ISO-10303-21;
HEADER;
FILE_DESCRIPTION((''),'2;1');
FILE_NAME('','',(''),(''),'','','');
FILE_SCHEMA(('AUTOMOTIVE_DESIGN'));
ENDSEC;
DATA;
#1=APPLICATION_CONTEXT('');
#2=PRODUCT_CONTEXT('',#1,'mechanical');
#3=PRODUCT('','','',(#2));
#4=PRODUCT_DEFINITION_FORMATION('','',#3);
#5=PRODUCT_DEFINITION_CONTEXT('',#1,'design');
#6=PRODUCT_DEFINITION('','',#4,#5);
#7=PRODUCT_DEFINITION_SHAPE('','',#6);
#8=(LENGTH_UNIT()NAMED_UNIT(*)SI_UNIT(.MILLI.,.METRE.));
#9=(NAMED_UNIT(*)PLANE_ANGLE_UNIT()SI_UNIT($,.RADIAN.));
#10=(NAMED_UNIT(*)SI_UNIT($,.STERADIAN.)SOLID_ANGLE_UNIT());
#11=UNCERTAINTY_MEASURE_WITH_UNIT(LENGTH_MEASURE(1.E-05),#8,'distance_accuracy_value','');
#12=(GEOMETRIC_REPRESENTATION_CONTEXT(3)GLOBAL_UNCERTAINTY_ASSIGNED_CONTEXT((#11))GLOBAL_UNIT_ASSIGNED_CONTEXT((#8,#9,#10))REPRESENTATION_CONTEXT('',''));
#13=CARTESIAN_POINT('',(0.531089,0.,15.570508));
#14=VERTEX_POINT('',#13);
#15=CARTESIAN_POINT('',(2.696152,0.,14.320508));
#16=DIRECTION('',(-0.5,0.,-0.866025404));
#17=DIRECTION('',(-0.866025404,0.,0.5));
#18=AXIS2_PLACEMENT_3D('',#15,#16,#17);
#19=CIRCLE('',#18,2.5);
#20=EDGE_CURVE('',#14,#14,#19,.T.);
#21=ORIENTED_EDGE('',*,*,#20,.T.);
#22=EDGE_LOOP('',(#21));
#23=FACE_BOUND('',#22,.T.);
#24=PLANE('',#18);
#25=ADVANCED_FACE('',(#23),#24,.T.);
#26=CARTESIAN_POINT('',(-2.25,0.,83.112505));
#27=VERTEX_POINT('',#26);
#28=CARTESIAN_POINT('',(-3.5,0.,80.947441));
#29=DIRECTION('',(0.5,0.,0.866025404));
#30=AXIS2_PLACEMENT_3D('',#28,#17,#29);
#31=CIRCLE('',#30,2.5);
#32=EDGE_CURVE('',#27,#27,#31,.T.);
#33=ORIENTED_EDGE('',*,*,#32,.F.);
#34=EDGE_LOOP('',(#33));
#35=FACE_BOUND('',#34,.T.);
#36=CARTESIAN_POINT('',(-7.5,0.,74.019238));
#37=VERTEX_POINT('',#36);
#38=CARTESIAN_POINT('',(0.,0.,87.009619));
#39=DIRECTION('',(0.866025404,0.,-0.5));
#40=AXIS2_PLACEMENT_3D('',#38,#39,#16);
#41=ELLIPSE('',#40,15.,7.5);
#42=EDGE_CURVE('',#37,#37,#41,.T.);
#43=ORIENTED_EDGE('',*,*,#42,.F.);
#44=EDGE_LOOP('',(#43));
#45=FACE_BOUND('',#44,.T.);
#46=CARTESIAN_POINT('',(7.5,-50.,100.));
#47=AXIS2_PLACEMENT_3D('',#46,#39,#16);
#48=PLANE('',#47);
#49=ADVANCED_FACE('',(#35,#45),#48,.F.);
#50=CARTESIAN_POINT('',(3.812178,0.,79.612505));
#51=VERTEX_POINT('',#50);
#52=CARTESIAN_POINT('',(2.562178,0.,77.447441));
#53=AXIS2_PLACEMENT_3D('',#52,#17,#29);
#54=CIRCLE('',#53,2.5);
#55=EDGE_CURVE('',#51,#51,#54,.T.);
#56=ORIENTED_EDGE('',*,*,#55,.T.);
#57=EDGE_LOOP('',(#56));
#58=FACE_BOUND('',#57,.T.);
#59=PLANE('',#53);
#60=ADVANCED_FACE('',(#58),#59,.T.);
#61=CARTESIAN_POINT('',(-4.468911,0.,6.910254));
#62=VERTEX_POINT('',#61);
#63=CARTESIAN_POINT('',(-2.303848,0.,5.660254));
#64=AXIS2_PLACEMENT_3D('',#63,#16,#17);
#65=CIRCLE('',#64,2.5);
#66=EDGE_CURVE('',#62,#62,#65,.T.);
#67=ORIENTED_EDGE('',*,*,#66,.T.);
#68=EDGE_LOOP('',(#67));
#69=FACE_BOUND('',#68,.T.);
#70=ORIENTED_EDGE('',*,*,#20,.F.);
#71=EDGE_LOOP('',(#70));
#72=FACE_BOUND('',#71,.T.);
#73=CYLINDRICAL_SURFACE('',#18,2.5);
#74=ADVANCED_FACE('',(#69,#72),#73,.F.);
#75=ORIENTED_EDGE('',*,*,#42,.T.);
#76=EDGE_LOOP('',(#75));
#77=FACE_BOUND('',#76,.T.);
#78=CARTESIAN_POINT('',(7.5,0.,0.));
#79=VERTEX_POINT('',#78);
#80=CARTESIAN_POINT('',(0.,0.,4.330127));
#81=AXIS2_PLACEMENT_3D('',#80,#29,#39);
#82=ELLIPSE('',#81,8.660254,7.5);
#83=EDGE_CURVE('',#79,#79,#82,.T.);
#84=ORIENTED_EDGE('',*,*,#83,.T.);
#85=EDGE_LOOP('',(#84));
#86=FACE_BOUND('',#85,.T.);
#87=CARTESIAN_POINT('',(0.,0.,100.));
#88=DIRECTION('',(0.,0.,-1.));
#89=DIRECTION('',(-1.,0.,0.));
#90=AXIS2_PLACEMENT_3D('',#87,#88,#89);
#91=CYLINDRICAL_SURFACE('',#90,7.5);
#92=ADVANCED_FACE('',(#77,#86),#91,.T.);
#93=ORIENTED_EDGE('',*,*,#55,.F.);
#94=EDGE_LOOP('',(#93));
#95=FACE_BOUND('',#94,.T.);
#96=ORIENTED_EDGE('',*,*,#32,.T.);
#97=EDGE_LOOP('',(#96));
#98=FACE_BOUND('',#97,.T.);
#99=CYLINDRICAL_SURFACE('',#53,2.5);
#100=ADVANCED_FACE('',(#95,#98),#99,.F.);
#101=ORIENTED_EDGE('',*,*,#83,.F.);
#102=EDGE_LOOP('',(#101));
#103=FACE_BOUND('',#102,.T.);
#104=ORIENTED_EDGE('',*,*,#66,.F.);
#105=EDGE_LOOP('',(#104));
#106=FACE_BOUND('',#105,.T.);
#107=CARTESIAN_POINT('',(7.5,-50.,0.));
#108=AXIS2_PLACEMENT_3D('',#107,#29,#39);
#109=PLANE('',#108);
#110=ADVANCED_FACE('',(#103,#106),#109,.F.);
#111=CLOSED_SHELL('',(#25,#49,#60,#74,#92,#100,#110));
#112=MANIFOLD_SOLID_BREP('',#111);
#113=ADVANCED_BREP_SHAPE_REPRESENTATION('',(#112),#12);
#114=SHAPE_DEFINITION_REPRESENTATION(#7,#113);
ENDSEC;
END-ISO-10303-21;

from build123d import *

# Parameters (mm, degrees)
SKETCH2_R           = 7.5
BOSS_EXTRUDE1_DEPTH = 100
CUT_EXTRUDE1_DEPTH  = 50
SKETCH5_R           = 2.5
CUT_EXTRUDE2_DEPTH  = 10
SKETCH6_R           = 2.5
CUT_EXTRUDE3_DEPTH  = 7


with BuildPart() as part:
    # Sketch2 → Boss-Extrude1 (new body)
    with BuildSketch(Plane.XY):
        Circle(SKETCH2_R)
    extrude(amount=BOSS_EXTRUDE1_DEPTH)

    # Sketch3 → Cut-Extrude1 (cut, symmetric)
    with BuildSketch(Plane(origin=(0, 0, 0), x_dir=(1, 0, 0), z_dir=(0, 1, 0))):
        Polygon((7.5, 0), (-16.600154846, -13.914230888), (-16.600154846, 6.795957579), (7.5, 6.795957579), align=None)
        Polygon((7.5, -100), (-10.5, -68.823085464), (-10.5, -108.823085464), (7.5, -108.823085464), align=None)
    extrude(amount=CUT_EXTRUDE1_DEPTH, both=True, mode=Mode.SUBTRACT)

    # Sketch5 → Cut-Extrude2 (cut)
    with BuildSketch(Plane(origin=(1.875, 0, 3.247595264), x_dir=(-0.8660254037844379, 0, 0.5000000000000013), z_dir=(-0.5000000000000013, 0, -0.8660254037844379))):
        with Locations((4.825317547, 0)):
            Circle(SKETCH5_R)
    extrude(amount=-CUT_EXTRUDE2_DEPTH, mode=Mode.SUBTRACT)

    # Sketch6 → Cut-Extrude3 (cut)
    with BuildSketch(Plane(origin=(-37.676270189, 0, 21.752404736), x_dir=(0.5000000000000042, 0, 0.8660254037844363), z_dir=(-0.8660254037844363, 0, 0.5000000000000042))):
        with Locations((68.352540378, 0)):
            Circle(SKETCH6_R)
    extrude(amount=-CUT_EXTRUDE3_DEPTH, mode=Mode.SUBTRACT)


solid = part.part
